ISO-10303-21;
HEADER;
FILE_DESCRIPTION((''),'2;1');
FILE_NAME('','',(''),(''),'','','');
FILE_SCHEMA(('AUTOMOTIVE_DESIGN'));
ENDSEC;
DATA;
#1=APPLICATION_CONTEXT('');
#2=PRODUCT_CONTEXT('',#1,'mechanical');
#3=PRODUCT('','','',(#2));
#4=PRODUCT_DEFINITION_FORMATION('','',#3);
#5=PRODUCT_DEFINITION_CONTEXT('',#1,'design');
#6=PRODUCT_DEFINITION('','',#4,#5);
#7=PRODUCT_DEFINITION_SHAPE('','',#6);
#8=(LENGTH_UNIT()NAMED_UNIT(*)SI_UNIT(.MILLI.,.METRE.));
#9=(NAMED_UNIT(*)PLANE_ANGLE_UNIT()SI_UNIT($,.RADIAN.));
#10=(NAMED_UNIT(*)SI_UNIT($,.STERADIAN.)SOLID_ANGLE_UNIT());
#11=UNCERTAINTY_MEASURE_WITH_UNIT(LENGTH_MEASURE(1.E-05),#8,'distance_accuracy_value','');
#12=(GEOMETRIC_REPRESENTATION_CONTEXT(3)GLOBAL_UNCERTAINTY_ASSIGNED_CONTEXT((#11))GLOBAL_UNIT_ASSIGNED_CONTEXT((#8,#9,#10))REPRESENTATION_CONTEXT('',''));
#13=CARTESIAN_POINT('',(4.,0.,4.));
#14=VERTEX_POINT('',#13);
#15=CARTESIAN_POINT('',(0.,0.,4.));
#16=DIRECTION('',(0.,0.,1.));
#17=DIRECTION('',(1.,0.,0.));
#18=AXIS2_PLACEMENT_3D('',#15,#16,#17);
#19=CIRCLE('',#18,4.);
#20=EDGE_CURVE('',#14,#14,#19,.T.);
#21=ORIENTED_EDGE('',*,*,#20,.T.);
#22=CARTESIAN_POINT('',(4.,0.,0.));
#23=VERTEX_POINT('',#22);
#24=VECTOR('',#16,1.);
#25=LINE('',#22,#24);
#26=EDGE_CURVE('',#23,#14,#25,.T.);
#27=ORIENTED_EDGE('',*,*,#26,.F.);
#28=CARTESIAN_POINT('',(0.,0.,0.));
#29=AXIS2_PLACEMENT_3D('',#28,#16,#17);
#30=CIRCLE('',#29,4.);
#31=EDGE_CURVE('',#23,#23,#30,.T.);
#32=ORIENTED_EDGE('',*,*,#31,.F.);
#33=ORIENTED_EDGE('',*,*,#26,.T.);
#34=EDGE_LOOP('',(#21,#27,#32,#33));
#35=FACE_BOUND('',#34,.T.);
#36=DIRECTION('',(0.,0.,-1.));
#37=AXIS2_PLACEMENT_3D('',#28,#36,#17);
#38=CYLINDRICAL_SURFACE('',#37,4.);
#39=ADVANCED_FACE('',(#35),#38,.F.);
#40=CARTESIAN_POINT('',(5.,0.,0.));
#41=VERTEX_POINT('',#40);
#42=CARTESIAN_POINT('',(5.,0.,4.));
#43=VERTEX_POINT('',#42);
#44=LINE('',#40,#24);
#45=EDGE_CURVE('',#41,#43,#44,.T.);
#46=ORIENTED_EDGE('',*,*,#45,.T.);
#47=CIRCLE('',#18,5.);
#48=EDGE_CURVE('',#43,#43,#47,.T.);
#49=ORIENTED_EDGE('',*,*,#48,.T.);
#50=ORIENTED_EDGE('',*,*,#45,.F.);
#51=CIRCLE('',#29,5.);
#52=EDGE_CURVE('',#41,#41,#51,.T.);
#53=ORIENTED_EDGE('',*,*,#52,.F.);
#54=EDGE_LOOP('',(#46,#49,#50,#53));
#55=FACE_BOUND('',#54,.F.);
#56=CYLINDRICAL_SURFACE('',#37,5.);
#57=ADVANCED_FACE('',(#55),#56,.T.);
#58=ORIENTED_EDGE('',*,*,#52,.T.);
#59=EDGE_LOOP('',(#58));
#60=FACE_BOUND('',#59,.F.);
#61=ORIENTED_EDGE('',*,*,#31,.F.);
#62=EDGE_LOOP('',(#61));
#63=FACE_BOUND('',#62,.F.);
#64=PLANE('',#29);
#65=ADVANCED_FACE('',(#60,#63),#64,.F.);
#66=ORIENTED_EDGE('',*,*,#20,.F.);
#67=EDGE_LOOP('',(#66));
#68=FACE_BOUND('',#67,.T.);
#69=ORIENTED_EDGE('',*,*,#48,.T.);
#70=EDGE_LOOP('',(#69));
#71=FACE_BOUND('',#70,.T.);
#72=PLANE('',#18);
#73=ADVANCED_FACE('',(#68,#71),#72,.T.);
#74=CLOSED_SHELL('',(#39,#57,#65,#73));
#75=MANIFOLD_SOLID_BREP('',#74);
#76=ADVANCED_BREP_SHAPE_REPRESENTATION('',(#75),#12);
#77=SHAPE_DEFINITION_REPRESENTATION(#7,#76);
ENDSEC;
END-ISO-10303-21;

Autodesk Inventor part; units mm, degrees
ref_plane "YZ Plane" through (0, 0, 0) normal (1, 0, 0) x (0, 1, 0)
ref_plane "XZ Plane" through (0, 0, 0) normal (0, 1, 0) x (-1, 0, 0)
ref_plane "XY Plane" through (0, 0, 0) normal (0, 0, 1) x (1, 0, 0)
sketch "スケッチ1" plane through (0, 0, 0) normal (0, 0, 1) x (1, 0, 0)
  circle A0 centre (0, 0) radius 4
  circle A1 centre (0, 0) radius 5
  dimension "d0" = 8
  dimension "d1" = 10
extrude "押し出し1" add sketch "スケッチ1" along normal blind 4
properties part number "オイレス8-10-4" material "アセタール樹脂、黒"
